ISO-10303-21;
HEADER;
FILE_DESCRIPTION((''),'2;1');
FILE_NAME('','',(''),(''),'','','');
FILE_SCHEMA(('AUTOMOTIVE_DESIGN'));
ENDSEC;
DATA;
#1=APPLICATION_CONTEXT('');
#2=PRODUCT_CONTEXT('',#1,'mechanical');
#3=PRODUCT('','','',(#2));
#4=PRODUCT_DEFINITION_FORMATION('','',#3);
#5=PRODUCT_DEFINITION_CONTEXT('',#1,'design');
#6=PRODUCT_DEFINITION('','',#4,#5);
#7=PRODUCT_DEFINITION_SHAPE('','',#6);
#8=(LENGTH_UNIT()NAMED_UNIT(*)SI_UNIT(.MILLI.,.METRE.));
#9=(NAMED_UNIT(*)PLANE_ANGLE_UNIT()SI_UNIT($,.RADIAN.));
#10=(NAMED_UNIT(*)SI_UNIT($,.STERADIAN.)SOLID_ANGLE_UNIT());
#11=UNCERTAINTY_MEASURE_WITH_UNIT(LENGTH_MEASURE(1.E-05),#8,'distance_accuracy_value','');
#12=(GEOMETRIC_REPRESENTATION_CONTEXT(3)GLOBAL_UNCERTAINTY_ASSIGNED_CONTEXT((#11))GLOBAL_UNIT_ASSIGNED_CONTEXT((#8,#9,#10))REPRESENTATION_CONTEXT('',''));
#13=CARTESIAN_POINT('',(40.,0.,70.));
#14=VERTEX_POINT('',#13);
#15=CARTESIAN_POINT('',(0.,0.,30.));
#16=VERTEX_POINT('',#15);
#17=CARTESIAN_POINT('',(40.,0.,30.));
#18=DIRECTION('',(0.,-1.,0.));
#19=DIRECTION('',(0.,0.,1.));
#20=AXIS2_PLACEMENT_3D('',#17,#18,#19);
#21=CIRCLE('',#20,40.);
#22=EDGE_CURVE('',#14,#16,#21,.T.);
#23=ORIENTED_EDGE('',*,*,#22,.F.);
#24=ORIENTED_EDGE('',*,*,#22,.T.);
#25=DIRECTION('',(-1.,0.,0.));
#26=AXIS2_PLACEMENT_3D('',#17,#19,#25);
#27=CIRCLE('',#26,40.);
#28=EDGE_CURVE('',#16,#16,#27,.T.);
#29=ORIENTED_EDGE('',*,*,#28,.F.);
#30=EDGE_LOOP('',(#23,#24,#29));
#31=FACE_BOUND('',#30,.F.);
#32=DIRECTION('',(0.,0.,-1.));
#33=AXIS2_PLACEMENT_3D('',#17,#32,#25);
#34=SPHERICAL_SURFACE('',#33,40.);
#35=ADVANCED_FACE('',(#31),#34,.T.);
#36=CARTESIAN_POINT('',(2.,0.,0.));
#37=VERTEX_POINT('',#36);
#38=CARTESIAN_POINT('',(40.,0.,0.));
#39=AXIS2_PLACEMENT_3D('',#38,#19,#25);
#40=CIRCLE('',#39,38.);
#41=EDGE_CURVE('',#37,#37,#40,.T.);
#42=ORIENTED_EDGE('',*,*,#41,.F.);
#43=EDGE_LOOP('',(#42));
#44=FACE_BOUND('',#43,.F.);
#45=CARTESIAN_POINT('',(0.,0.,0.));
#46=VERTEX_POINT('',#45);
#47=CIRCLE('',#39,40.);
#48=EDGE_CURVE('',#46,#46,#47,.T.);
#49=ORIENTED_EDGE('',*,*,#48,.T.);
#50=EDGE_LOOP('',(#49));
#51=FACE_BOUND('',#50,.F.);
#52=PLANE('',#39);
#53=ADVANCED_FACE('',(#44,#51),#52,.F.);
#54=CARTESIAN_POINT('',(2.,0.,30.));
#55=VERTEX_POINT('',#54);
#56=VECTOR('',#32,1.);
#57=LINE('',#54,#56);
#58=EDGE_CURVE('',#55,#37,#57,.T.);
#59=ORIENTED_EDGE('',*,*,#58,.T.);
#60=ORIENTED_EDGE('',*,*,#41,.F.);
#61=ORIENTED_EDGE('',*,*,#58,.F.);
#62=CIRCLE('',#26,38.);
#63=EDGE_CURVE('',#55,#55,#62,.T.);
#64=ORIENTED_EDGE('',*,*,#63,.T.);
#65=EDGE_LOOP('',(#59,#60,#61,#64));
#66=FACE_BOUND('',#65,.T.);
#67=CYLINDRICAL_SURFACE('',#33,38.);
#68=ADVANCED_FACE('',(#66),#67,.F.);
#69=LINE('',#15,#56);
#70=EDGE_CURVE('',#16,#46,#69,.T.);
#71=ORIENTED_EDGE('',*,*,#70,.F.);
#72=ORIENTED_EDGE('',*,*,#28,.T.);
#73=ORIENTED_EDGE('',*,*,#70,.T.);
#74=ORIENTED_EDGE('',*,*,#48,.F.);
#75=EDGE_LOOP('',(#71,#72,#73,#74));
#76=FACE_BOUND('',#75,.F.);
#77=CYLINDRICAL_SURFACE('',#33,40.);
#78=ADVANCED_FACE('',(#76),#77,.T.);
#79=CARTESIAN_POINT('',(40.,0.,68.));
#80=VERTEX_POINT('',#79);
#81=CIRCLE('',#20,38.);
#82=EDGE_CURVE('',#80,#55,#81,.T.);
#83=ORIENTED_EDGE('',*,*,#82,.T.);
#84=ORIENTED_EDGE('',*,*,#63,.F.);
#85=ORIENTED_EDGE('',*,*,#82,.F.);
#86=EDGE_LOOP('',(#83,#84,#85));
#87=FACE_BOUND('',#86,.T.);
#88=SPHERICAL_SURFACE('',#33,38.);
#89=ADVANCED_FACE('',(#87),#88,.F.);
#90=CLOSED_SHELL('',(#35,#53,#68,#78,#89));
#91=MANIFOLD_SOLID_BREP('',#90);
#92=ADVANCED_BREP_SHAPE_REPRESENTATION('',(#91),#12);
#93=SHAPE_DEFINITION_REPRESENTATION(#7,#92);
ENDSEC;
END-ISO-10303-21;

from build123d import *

# Parameters (mm, degrees)
F2_T = -2


with BuildPart() as f1:
    # F0 (on Front) → F1 (revolve)
    with BuildSketch(Plane.XZ):
        with BuildLine():
            Line((0, 30), (0, 0))
            Line((0, 0), (40, 0))
            Line((40, 0), (40, 70))
            ThreePointArc((40, 70), (11.7157287525, 58.2842712475), (0, 30))
        make_face()
    revolve(axis=Axis((40, 0, 43.7611937523), (0, 0, 1)))

    # F2
    f2_openings = [f1.faces().sort_by_distance(p)[0] for p in [
        (40, 0, 0),
    ]]
    offset(amount=F2_T, openings=f2_openings)


solid = f1.part
